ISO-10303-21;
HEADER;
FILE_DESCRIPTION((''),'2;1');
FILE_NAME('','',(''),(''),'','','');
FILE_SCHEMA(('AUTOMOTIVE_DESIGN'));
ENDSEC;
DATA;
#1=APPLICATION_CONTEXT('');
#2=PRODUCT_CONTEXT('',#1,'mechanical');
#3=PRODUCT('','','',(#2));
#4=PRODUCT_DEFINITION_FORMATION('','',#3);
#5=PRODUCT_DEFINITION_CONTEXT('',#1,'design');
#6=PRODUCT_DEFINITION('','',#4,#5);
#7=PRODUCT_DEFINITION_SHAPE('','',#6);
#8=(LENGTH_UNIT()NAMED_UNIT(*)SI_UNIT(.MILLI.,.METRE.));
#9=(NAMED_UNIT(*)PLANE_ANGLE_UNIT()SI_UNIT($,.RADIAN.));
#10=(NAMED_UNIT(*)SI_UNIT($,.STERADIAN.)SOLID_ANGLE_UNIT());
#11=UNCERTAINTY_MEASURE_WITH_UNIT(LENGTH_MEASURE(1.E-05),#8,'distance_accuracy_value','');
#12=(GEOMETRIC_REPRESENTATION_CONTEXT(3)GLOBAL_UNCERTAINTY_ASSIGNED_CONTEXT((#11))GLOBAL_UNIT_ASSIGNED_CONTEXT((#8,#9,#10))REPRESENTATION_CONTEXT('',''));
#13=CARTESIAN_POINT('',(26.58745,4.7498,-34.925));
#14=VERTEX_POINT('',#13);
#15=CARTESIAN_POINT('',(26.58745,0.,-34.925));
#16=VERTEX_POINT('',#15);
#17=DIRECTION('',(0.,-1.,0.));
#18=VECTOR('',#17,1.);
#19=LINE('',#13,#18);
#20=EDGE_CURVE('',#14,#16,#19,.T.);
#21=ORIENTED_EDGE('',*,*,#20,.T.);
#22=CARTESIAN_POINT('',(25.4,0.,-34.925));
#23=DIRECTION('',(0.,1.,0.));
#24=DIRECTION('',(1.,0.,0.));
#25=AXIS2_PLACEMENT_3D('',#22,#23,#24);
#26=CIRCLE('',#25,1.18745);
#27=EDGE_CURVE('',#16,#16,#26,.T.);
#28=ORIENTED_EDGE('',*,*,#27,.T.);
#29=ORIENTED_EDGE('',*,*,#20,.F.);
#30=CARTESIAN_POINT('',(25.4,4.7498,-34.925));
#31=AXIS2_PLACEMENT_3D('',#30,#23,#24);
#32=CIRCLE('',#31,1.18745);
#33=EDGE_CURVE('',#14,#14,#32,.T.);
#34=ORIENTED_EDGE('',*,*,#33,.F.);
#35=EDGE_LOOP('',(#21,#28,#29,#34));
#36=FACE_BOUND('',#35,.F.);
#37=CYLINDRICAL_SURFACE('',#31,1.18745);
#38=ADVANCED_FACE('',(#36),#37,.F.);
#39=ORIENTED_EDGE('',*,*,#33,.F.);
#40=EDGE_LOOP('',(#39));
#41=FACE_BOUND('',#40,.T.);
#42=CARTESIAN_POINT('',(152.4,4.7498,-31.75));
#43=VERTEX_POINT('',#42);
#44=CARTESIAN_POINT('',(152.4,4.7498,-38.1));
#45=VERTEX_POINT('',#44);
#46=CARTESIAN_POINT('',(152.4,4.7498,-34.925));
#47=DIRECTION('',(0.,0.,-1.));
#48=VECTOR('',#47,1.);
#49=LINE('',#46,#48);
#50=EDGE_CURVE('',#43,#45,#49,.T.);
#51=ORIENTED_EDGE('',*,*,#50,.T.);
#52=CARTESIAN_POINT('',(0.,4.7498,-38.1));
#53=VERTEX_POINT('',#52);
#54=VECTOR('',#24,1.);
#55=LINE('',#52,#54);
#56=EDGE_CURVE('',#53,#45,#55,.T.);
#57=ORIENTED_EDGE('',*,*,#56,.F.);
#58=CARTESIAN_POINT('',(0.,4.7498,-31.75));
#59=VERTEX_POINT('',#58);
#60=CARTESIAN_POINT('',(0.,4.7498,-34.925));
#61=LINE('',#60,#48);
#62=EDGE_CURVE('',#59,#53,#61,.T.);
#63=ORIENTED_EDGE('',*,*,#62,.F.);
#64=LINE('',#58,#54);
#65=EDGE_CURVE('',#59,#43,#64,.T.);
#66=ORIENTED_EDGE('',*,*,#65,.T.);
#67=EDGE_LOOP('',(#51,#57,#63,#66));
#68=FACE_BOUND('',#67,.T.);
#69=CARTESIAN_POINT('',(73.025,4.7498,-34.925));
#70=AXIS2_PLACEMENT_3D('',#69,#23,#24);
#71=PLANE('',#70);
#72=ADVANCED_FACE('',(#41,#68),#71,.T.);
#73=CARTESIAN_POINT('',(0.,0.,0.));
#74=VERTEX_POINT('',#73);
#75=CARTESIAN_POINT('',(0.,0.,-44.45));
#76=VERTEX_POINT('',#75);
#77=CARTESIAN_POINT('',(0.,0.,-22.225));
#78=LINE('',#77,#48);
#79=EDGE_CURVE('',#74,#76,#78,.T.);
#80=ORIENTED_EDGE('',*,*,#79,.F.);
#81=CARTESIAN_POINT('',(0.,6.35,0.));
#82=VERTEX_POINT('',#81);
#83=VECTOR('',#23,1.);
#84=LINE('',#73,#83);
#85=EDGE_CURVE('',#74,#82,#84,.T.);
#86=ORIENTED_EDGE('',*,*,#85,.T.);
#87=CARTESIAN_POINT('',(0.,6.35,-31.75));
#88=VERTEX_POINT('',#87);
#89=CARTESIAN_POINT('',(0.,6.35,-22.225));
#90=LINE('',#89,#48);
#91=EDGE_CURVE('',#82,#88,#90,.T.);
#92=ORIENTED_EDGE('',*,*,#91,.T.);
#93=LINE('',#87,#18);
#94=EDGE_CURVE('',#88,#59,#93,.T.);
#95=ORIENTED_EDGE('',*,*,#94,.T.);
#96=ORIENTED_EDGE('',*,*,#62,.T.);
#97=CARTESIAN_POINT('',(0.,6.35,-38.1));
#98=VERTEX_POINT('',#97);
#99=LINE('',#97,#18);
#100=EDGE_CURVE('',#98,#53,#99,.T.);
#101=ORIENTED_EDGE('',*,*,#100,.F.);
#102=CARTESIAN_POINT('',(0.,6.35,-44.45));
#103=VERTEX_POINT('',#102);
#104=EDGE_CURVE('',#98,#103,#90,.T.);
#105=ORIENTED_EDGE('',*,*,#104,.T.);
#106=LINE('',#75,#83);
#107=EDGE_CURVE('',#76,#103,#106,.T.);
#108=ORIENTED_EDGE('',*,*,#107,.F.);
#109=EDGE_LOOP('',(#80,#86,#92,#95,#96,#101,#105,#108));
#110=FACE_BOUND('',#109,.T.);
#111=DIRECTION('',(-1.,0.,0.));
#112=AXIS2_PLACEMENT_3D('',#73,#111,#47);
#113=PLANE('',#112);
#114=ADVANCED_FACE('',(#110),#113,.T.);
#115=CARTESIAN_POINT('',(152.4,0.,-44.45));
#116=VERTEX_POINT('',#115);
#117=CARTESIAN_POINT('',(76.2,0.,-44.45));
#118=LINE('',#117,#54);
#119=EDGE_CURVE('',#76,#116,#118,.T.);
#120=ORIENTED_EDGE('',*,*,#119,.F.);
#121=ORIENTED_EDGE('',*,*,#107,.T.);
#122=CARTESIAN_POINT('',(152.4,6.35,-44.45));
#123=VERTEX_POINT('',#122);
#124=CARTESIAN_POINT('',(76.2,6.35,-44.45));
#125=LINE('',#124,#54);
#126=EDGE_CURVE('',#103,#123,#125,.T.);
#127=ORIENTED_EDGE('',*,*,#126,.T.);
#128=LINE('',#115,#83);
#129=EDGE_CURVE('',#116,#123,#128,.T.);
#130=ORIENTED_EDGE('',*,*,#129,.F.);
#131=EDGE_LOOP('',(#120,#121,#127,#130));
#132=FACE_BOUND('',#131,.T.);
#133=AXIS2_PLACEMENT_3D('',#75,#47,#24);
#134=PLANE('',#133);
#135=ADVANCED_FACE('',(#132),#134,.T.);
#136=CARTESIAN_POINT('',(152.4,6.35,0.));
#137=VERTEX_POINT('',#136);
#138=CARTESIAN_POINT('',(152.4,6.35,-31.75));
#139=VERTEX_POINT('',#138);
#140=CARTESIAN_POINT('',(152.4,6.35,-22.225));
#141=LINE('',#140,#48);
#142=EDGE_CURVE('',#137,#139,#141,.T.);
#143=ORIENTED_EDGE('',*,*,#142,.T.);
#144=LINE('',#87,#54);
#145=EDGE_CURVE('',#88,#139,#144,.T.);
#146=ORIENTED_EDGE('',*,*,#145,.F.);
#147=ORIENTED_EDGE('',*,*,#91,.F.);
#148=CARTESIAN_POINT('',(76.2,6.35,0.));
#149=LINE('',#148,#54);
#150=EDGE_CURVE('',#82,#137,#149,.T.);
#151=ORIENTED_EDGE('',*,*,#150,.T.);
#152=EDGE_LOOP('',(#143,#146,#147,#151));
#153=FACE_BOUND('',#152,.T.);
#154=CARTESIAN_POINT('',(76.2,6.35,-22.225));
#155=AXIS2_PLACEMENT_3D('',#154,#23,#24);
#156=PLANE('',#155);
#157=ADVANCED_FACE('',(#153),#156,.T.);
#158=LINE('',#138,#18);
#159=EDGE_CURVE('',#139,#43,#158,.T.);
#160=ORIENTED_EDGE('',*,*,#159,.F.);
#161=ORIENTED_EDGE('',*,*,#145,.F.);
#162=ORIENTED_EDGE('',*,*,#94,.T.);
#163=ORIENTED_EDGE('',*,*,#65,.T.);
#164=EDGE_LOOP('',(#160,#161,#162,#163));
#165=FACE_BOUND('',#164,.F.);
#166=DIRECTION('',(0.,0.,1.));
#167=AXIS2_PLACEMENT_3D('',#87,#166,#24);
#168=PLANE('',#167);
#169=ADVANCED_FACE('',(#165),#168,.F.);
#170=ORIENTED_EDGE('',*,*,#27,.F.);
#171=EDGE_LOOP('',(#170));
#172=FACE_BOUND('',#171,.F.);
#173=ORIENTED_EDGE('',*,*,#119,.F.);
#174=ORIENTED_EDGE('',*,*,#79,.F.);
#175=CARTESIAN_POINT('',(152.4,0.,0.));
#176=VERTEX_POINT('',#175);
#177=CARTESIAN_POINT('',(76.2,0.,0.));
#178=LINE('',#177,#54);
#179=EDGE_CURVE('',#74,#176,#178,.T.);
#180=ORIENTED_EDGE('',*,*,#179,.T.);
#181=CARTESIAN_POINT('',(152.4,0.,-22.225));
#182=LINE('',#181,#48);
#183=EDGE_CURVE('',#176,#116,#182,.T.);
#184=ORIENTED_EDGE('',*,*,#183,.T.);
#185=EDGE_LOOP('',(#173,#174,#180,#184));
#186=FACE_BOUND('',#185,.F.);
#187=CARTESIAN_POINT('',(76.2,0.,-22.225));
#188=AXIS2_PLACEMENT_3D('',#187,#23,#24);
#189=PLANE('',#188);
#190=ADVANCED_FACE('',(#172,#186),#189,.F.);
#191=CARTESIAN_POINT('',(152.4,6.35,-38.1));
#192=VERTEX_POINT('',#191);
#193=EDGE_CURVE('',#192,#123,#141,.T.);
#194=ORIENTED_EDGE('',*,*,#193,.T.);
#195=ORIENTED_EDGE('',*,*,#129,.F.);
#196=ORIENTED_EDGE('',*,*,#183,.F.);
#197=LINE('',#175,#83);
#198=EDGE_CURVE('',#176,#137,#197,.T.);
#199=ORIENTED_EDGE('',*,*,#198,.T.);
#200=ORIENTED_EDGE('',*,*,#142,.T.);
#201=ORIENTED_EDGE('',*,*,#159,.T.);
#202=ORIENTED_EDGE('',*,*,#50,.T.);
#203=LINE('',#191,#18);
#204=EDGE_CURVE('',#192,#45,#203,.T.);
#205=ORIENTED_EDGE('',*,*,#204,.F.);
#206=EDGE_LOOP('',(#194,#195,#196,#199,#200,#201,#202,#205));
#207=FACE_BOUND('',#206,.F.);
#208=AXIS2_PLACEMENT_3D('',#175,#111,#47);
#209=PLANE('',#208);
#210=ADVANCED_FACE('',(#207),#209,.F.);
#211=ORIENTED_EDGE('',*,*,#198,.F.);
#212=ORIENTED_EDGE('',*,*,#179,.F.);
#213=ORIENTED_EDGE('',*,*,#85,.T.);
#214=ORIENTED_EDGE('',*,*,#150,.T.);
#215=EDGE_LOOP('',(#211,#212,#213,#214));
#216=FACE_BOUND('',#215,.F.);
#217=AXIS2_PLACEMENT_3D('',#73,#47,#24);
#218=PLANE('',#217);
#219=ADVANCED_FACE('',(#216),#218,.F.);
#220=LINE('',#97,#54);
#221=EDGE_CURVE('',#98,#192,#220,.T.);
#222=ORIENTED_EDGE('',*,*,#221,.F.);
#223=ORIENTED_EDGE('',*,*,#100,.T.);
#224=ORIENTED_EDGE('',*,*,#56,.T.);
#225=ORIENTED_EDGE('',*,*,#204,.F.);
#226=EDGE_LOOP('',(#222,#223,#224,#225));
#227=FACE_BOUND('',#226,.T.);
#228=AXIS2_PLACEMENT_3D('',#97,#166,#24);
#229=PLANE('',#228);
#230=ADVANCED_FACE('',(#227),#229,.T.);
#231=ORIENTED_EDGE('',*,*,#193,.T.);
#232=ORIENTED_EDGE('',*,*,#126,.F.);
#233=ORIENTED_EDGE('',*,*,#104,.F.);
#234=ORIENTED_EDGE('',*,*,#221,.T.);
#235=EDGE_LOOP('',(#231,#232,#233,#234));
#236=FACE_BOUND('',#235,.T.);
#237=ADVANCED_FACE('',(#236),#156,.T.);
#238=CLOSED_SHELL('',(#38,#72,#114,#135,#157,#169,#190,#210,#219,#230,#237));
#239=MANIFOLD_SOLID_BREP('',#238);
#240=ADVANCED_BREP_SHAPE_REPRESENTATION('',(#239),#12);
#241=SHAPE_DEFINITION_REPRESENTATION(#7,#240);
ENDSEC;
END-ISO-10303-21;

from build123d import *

# Parameters (mm, degrees)
SKETCH1_W           = 152.4
SKETCH1_H           = 44.45
BOSS_EXTRUDE1_DEPTH = 6.35
SKETCH2_W           = 146.05
SKETCH2_H           = 6.35
CUT_EXTRUDE1_DEPTH  = 1.6002
SKETCH3_R           = 1.18745
CUT_EXTRUDE2_DEPTH  = 5.7498
SKETCH4_W           = 6.35
SKETCH4_H           = 6.35
CUT_EXTRUDE3_DEPTH  = 1.6002


with BuildPart() as part:
    # Sketch1 → Boss-Extrude1 (new body)
    with BuildSketch(Plane(origin=(0, 0, 0), x_dir=(1, 0, 0), z_dir=(0, 1, 0))):
        with Locations((76.2, 22.225)):
            Rectangle(SKETCH1_W, SKETCH1_H)
    extrude(amount=BOSS_EXTRUDE1_DEPTH)

    # Sketch2 → Cut-Extrude1 (cut)
    with BuildSketch(Plane(origin=(0, 6.35, 0), x_dir=(1, 0, 0), z_dir=(0, 1, 0))):
        with Locations((73.025, 34.925)):
            Rectangle(SKETCH2_W, SKETCH2_H)
    extrude(amount=-CUT_EXTRUDE1_DEPTH, mode=Mode.SUBTRACT)

    # Sketch3 → Cut-Extrude2 (cut, through all)
    with BuildSketch(Plane(origin=(0, 4.7498, 0), x_dir=(1, 0, 0), z_dir=(0, 1, 0))):
        with Locations((25.4, 34.925)):
            Circle(SKETCH3_R)
    extrude(amount=-CUT_EXTRUDE2_DEPTH, mode=Mode.SUBTRACT)

    # Sketch4 → Cut-Extrude3 (cut)
    with BuildSketch(Plane(origin=(0, 6.35, 0), x_dir=(1, 0, 0), z_dir=(0, 1, 0))):
        with Locations((149.225, 34.925)):
            Rectangle(SKETCH4_W, SKETCH4_H)
    extrude(amount=-CUT_EXTRUDE3_DEPTH, mode=Mode.SUBTRACT)


solid = part.part
